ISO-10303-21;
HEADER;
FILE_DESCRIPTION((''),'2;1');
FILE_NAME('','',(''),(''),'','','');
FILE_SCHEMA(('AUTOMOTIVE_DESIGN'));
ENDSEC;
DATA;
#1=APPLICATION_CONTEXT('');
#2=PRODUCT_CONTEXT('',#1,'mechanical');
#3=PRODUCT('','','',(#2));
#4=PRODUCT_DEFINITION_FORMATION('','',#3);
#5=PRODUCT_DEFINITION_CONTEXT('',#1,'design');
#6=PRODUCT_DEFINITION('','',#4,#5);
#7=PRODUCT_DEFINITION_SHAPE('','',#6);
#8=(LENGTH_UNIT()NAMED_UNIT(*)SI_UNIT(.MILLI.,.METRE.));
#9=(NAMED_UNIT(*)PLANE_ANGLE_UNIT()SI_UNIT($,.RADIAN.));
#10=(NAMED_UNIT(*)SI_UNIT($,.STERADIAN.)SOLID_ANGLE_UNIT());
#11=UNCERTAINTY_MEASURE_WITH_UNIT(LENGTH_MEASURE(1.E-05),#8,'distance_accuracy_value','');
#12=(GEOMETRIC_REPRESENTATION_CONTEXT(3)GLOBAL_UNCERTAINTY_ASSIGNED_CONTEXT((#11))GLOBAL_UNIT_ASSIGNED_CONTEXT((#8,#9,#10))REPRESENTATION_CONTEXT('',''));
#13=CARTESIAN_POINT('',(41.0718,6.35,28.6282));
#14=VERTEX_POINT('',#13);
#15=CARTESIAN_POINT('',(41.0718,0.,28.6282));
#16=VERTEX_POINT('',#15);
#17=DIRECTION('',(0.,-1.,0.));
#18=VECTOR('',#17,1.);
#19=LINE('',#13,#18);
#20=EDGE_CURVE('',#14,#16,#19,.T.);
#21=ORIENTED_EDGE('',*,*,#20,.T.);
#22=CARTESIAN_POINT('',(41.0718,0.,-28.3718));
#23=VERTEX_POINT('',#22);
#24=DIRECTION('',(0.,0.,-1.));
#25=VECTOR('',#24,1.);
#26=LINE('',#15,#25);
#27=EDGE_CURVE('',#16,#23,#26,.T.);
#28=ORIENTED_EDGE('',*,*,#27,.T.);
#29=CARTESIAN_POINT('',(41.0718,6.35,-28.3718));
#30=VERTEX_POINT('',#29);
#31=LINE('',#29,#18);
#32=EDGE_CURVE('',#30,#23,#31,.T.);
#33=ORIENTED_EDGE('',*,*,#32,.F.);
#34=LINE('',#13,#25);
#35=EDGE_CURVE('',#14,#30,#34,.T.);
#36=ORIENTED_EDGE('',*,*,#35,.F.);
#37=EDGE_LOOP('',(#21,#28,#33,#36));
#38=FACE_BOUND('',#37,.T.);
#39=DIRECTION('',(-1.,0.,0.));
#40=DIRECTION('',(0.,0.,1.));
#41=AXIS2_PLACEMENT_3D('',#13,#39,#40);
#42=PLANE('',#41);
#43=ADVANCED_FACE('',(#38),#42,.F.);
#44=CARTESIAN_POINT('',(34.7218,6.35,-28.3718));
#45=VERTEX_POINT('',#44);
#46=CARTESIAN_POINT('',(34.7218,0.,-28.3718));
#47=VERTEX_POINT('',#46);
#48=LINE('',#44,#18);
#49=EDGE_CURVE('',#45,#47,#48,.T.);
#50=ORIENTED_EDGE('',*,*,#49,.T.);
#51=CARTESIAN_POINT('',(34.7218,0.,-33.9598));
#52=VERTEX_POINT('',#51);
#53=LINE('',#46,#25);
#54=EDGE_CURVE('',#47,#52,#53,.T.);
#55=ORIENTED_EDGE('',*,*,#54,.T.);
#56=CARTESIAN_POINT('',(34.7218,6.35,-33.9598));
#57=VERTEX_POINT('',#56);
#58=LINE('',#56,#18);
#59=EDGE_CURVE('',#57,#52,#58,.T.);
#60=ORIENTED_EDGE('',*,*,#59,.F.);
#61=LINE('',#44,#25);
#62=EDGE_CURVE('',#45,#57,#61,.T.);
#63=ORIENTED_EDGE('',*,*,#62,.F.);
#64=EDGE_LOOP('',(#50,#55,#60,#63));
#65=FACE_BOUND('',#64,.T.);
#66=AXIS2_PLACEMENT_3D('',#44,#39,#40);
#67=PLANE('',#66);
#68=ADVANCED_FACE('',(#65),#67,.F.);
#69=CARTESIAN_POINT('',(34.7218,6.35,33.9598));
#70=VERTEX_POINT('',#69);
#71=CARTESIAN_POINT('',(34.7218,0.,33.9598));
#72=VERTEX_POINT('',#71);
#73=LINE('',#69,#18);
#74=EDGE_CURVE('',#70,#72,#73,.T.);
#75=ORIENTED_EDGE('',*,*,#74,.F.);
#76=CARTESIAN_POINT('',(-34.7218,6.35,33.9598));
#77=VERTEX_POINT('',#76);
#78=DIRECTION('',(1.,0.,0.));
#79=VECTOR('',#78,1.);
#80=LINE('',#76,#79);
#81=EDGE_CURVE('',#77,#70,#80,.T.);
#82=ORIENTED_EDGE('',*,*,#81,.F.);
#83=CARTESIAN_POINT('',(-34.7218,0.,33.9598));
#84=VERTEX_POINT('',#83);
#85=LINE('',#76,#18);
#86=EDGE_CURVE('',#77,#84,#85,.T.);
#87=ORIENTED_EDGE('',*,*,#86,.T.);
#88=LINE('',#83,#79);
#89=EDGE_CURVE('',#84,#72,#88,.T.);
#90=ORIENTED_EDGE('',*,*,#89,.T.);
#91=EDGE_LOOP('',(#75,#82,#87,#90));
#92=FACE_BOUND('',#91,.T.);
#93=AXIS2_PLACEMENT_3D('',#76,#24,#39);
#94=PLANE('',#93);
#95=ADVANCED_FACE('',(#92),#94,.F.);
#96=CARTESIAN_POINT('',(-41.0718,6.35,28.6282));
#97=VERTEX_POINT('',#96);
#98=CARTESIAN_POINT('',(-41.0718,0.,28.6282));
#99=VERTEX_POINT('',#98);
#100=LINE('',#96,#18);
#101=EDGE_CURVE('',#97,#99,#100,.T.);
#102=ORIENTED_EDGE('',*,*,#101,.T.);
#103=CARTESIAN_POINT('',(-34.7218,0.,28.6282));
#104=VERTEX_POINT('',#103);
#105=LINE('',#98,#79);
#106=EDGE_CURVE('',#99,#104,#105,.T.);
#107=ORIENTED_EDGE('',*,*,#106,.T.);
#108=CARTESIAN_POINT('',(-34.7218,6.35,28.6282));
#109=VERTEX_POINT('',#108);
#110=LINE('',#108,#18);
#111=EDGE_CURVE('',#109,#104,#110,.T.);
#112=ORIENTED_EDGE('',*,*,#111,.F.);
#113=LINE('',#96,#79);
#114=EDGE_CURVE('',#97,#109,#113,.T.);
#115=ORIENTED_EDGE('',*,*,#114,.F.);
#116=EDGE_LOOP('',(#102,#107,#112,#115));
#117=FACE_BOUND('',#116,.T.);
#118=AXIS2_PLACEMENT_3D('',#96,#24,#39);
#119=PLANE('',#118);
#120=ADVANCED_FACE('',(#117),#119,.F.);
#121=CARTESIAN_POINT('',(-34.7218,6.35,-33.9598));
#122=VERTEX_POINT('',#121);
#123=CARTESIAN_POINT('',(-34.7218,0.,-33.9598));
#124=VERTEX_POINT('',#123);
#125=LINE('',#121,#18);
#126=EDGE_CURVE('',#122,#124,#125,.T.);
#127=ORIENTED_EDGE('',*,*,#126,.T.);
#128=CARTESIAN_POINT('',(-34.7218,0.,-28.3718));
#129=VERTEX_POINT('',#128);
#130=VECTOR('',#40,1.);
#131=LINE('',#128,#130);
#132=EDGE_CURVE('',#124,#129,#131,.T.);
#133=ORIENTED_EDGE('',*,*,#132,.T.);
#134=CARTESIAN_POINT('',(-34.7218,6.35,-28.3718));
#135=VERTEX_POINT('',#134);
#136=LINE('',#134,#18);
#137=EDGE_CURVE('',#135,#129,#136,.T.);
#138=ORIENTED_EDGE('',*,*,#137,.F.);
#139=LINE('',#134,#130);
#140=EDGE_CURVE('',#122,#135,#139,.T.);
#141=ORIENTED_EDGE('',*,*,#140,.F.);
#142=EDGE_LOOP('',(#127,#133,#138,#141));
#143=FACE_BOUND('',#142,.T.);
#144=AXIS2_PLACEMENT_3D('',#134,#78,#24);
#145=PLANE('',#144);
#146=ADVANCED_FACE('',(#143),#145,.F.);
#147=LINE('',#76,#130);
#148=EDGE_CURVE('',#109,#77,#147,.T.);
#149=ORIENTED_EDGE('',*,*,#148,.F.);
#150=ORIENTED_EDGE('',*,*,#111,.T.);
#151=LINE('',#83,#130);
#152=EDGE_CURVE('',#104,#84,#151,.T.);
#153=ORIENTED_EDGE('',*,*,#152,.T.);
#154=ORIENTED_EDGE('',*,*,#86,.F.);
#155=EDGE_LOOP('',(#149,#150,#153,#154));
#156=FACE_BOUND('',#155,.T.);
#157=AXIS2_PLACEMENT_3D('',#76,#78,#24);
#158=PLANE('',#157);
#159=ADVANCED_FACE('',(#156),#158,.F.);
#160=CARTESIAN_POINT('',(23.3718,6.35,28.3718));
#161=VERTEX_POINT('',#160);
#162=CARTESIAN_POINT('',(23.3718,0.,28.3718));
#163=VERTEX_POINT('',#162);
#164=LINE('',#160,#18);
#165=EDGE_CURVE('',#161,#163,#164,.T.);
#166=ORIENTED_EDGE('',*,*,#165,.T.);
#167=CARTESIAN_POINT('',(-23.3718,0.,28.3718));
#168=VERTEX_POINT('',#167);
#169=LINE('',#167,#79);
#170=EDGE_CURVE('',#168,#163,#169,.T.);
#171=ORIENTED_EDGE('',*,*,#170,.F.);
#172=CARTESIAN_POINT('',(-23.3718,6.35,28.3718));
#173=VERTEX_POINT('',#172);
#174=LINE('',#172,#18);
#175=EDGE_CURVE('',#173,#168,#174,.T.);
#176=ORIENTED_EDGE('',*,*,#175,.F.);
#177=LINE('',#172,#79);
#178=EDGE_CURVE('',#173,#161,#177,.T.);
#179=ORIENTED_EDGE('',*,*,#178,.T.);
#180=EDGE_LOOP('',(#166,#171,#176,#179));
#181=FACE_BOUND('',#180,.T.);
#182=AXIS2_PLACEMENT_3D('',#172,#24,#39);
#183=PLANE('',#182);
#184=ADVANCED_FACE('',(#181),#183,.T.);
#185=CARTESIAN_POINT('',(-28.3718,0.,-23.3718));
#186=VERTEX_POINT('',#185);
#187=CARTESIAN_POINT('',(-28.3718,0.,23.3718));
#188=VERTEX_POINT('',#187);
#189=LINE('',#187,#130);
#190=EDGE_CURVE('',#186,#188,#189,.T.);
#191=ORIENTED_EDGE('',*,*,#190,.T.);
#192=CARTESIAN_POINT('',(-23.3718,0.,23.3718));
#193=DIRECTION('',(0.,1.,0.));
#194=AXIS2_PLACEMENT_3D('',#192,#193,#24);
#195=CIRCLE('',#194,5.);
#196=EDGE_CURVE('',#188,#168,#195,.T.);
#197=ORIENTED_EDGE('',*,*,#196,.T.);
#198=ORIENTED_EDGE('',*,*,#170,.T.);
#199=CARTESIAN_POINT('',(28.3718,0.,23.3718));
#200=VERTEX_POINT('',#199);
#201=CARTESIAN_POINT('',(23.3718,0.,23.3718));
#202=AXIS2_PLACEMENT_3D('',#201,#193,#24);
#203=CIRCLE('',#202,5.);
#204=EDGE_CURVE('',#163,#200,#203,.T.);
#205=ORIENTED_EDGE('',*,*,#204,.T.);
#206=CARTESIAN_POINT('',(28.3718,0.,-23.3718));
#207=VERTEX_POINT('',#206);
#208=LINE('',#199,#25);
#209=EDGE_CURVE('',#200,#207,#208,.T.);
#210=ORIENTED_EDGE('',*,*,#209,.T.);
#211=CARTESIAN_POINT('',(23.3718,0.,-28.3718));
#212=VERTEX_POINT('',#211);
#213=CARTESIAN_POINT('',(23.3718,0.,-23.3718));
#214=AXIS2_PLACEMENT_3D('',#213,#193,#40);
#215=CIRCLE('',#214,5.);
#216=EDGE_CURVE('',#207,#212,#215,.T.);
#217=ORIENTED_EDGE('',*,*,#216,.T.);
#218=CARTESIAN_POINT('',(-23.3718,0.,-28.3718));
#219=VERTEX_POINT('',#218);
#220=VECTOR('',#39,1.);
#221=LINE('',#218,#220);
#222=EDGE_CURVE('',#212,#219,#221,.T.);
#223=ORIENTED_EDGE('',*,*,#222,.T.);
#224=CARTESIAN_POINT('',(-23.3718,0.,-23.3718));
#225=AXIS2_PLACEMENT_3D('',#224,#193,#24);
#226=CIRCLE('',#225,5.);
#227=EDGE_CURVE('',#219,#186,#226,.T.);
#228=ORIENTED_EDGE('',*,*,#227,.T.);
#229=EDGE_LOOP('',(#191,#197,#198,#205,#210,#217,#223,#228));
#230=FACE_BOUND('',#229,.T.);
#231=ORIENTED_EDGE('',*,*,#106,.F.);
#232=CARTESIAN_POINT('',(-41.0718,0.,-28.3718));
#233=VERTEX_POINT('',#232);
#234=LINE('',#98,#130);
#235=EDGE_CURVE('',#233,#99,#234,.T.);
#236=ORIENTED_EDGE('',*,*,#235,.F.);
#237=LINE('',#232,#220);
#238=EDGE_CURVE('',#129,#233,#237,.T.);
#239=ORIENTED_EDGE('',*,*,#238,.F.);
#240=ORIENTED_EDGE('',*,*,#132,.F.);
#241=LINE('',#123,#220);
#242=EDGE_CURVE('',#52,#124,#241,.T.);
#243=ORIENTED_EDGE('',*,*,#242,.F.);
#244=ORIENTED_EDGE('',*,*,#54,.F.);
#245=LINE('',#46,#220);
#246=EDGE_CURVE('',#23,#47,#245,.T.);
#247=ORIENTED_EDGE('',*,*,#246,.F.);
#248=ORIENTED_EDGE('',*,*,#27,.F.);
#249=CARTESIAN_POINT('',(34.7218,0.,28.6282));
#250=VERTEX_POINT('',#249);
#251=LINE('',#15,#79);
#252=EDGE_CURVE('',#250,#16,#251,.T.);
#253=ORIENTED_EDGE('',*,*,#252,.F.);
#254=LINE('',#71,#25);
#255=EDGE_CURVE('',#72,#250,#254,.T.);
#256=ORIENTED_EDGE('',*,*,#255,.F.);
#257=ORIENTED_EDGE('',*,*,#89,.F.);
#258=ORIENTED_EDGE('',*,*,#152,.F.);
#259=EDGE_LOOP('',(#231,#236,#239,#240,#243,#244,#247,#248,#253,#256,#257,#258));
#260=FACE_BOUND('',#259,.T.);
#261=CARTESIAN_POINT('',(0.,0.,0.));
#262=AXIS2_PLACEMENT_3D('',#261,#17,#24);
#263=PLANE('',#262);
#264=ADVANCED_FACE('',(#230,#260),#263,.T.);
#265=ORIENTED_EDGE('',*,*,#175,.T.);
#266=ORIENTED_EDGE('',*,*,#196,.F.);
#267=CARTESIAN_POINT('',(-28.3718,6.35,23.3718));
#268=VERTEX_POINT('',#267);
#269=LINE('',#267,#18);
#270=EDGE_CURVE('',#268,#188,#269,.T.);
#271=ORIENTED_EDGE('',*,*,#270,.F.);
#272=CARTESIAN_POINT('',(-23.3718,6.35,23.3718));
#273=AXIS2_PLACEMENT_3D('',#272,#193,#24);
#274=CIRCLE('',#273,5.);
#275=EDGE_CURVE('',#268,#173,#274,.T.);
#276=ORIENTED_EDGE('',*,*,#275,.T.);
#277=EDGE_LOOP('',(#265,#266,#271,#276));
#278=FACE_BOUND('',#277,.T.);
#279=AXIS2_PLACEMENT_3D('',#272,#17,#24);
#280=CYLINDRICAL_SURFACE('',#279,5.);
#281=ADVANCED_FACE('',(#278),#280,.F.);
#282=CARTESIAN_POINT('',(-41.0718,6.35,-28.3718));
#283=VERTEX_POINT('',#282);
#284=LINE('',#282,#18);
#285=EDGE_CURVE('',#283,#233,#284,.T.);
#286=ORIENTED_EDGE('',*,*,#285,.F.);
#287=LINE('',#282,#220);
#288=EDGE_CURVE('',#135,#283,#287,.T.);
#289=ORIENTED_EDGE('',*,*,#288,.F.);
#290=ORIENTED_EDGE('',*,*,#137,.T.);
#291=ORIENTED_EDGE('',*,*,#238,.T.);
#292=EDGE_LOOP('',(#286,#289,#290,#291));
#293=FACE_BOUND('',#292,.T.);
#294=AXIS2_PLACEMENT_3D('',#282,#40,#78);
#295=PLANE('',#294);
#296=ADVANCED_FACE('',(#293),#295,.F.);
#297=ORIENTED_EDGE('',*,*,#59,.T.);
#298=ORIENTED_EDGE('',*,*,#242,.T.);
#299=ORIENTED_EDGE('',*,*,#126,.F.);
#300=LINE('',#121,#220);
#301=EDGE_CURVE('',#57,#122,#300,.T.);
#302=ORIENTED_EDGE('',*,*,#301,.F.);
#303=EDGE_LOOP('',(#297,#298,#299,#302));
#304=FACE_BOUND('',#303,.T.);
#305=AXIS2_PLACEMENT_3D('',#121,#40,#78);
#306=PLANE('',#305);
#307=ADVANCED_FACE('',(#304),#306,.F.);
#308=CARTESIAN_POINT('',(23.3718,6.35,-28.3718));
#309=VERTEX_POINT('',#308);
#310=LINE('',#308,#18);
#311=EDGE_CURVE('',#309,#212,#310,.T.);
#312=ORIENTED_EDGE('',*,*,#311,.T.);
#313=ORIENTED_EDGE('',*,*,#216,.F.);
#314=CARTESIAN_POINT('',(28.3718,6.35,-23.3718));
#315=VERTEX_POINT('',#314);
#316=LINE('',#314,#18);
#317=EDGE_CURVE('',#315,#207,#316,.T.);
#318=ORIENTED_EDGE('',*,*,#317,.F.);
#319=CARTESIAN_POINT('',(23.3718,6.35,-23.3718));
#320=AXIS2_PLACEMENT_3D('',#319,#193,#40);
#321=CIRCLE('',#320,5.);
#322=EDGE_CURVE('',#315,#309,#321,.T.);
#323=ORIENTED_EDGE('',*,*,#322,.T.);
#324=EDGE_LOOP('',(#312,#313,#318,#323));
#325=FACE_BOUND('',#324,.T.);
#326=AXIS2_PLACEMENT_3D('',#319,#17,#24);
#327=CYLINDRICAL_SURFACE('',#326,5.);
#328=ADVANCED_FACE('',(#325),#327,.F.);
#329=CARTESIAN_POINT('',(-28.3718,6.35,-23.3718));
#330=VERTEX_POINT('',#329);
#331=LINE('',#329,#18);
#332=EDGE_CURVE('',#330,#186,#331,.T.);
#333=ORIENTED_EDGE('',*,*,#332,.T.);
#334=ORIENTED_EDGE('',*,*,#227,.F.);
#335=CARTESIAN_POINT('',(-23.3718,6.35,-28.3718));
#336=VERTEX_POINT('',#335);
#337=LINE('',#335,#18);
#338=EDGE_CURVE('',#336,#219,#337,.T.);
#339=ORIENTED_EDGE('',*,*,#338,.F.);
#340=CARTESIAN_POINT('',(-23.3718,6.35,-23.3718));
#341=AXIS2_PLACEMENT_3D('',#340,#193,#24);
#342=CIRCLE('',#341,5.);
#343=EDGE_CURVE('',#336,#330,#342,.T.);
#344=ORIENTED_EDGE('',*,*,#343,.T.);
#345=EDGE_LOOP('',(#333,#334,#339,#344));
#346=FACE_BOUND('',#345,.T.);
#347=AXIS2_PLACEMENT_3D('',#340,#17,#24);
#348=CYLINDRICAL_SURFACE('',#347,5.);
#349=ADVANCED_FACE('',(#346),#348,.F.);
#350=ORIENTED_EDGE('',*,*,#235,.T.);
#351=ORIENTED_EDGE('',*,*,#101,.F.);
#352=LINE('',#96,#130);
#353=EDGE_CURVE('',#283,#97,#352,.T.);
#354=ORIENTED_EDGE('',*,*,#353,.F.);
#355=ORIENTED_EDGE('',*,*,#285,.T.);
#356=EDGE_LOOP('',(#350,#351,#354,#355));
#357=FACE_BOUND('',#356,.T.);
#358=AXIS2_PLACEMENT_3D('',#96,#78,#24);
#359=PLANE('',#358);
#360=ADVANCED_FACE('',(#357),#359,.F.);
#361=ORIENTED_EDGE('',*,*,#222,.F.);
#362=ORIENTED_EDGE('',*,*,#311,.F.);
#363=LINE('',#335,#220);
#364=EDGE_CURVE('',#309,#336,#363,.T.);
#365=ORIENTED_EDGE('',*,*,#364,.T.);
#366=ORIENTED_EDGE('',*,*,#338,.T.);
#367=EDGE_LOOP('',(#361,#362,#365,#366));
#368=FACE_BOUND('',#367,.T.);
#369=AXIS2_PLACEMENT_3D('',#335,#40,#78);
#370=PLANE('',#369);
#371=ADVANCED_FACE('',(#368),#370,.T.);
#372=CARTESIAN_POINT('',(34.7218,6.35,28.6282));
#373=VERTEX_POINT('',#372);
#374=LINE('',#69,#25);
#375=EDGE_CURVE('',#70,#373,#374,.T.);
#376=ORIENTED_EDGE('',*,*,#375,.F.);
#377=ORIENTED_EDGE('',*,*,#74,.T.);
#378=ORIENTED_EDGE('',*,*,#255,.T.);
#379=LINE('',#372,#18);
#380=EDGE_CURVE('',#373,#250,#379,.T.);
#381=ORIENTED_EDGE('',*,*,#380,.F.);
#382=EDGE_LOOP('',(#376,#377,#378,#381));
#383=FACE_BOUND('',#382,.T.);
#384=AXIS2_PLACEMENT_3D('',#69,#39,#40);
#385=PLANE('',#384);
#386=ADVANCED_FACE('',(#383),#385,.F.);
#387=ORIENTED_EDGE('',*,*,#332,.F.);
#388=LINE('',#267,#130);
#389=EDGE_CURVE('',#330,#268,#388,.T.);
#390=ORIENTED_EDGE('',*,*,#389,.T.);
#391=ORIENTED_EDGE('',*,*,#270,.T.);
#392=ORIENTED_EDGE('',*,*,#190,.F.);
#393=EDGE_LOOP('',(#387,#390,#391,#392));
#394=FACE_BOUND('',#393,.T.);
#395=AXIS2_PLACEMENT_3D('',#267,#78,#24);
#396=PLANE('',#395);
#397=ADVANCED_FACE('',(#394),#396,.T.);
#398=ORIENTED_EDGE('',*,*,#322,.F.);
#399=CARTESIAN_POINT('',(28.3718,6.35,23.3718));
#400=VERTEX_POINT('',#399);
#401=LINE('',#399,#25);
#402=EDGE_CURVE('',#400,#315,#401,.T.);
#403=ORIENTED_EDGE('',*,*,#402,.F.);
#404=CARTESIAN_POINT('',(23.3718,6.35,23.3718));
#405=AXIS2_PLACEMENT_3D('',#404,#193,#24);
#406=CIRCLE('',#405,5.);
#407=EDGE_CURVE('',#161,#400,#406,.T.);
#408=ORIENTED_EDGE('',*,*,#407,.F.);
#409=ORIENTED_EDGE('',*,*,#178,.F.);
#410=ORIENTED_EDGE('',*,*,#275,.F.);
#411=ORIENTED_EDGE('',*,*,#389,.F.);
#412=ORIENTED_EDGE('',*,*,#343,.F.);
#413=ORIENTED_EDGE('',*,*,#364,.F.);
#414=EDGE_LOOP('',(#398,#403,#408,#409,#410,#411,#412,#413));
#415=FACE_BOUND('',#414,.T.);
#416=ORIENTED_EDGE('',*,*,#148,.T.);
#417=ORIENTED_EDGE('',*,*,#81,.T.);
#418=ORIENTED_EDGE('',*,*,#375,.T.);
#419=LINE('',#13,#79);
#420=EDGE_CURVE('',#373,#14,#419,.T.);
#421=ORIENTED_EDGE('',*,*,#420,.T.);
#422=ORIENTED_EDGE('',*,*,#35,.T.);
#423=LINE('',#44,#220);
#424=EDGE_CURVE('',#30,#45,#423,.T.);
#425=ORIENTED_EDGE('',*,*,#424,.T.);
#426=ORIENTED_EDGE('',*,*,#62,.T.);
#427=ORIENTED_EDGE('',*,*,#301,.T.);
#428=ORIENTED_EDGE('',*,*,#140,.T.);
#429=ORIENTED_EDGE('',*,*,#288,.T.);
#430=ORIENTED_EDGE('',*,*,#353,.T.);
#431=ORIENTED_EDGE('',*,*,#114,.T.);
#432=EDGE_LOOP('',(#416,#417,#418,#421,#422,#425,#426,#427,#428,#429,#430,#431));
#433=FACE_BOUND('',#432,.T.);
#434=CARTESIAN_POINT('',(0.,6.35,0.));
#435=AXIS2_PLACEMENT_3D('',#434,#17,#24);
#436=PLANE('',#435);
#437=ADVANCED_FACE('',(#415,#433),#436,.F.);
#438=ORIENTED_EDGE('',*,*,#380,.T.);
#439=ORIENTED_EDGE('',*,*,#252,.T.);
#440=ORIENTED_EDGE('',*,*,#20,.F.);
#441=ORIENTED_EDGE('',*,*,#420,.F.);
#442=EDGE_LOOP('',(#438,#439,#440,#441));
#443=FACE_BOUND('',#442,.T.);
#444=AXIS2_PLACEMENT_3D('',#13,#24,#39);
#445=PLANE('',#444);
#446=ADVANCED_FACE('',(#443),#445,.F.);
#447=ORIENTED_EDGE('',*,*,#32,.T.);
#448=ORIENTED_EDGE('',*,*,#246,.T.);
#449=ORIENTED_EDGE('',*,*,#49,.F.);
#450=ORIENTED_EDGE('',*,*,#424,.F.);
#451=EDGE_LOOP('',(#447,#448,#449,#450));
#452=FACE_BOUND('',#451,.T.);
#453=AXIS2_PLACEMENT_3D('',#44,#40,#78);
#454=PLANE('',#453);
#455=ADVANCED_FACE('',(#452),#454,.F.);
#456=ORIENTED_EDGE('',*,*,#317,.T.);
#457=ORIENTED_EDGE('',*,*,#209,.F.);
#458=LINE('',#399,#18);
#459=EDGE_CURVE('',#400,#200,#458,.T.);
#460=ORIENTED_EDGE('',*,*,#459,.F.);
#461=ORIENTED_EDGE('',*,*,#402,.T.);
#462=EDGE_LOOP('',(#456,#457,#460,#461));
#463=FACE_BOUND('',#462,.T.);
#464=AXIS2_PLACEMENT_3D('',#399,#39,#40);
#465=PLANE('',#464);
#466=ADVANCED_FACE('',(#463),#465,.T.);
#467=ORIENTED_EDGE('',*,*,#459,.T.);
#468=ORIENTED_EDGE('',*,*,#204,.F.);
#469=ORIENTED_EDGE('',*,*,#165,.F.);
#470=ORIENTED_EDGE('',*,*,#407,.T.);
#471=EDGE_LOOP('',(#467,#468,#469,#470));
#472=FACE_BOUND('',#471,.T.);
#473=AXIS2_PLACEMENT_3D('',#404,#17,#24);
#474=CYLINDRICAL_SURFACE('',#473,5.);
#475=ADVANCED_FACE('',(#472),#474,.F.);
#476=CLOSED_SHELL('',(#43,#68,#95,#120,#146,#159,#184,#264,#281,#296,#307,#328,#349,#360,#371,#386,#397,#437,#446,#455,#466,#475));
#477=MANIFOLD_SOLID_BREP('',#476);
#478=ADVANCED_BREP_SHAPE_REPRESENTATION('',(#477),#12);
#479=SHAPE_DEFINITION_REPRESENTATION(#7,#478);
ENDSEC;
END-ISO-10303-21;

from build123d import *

# Parameters (mm, degrees)
BOSS_EXTRUDE1_DEPTH = 6.35


with BuildPart() as part:
    # Sketch1 → Boss-Extrude1 (new body)
    with BuildSketch(Plane(origin=(0, 0, 0), x_dir=(1, 0, 0), z_dir=(0, 1, 0))):
        Polygon((-41.0718, -28.6282), (-41.0718, 28.3718), (-34.7218, 28.3718), (-34.7218, 33.9598), (34.7218, 33.9598), (34.7218, 28.3718), (41.0718, 28.3718), (41.0718, -28.6282), (34.7218, -28.6282), (34.7218, -33.9598), (-34.7218, -33.9598), (-34.7218, -28.6282), align=None)
        with BuildLine():
            Line((-23.3718, -28.3718), (23.3718, -28.3718))
            ThreePointArc((23.3718, -28.3718), (26.907333906, -26.907333906), (28.3718, -23.3718))
            Line((28.3718, -23.3718), (28.3718, 23.3718))
            ThreePointArc((28.3718, 23.3718), (26.907333906, 26.907333906), (23.3718, 28.3718))
            Line((23.3718, 28.3718), (-23.3718, 28.3718))
            ThreePointArc((-23.3718, 28.3718), (-26.907333906, 26.907333906), (-28.3718, 23.3718))
            Line((-28.3718, 23.3718), (-28.3718, -23.3718))
            ThreePointArc((-28.3718, -23.3718), (-26.907333906, -26.907333906), (-23.3718, -28.3718))
        make_face(mode=Mode.SUBTRACT)
    extrude(amount=BOSS_EXTRUDE1_DEPTH)


solid = part.part
